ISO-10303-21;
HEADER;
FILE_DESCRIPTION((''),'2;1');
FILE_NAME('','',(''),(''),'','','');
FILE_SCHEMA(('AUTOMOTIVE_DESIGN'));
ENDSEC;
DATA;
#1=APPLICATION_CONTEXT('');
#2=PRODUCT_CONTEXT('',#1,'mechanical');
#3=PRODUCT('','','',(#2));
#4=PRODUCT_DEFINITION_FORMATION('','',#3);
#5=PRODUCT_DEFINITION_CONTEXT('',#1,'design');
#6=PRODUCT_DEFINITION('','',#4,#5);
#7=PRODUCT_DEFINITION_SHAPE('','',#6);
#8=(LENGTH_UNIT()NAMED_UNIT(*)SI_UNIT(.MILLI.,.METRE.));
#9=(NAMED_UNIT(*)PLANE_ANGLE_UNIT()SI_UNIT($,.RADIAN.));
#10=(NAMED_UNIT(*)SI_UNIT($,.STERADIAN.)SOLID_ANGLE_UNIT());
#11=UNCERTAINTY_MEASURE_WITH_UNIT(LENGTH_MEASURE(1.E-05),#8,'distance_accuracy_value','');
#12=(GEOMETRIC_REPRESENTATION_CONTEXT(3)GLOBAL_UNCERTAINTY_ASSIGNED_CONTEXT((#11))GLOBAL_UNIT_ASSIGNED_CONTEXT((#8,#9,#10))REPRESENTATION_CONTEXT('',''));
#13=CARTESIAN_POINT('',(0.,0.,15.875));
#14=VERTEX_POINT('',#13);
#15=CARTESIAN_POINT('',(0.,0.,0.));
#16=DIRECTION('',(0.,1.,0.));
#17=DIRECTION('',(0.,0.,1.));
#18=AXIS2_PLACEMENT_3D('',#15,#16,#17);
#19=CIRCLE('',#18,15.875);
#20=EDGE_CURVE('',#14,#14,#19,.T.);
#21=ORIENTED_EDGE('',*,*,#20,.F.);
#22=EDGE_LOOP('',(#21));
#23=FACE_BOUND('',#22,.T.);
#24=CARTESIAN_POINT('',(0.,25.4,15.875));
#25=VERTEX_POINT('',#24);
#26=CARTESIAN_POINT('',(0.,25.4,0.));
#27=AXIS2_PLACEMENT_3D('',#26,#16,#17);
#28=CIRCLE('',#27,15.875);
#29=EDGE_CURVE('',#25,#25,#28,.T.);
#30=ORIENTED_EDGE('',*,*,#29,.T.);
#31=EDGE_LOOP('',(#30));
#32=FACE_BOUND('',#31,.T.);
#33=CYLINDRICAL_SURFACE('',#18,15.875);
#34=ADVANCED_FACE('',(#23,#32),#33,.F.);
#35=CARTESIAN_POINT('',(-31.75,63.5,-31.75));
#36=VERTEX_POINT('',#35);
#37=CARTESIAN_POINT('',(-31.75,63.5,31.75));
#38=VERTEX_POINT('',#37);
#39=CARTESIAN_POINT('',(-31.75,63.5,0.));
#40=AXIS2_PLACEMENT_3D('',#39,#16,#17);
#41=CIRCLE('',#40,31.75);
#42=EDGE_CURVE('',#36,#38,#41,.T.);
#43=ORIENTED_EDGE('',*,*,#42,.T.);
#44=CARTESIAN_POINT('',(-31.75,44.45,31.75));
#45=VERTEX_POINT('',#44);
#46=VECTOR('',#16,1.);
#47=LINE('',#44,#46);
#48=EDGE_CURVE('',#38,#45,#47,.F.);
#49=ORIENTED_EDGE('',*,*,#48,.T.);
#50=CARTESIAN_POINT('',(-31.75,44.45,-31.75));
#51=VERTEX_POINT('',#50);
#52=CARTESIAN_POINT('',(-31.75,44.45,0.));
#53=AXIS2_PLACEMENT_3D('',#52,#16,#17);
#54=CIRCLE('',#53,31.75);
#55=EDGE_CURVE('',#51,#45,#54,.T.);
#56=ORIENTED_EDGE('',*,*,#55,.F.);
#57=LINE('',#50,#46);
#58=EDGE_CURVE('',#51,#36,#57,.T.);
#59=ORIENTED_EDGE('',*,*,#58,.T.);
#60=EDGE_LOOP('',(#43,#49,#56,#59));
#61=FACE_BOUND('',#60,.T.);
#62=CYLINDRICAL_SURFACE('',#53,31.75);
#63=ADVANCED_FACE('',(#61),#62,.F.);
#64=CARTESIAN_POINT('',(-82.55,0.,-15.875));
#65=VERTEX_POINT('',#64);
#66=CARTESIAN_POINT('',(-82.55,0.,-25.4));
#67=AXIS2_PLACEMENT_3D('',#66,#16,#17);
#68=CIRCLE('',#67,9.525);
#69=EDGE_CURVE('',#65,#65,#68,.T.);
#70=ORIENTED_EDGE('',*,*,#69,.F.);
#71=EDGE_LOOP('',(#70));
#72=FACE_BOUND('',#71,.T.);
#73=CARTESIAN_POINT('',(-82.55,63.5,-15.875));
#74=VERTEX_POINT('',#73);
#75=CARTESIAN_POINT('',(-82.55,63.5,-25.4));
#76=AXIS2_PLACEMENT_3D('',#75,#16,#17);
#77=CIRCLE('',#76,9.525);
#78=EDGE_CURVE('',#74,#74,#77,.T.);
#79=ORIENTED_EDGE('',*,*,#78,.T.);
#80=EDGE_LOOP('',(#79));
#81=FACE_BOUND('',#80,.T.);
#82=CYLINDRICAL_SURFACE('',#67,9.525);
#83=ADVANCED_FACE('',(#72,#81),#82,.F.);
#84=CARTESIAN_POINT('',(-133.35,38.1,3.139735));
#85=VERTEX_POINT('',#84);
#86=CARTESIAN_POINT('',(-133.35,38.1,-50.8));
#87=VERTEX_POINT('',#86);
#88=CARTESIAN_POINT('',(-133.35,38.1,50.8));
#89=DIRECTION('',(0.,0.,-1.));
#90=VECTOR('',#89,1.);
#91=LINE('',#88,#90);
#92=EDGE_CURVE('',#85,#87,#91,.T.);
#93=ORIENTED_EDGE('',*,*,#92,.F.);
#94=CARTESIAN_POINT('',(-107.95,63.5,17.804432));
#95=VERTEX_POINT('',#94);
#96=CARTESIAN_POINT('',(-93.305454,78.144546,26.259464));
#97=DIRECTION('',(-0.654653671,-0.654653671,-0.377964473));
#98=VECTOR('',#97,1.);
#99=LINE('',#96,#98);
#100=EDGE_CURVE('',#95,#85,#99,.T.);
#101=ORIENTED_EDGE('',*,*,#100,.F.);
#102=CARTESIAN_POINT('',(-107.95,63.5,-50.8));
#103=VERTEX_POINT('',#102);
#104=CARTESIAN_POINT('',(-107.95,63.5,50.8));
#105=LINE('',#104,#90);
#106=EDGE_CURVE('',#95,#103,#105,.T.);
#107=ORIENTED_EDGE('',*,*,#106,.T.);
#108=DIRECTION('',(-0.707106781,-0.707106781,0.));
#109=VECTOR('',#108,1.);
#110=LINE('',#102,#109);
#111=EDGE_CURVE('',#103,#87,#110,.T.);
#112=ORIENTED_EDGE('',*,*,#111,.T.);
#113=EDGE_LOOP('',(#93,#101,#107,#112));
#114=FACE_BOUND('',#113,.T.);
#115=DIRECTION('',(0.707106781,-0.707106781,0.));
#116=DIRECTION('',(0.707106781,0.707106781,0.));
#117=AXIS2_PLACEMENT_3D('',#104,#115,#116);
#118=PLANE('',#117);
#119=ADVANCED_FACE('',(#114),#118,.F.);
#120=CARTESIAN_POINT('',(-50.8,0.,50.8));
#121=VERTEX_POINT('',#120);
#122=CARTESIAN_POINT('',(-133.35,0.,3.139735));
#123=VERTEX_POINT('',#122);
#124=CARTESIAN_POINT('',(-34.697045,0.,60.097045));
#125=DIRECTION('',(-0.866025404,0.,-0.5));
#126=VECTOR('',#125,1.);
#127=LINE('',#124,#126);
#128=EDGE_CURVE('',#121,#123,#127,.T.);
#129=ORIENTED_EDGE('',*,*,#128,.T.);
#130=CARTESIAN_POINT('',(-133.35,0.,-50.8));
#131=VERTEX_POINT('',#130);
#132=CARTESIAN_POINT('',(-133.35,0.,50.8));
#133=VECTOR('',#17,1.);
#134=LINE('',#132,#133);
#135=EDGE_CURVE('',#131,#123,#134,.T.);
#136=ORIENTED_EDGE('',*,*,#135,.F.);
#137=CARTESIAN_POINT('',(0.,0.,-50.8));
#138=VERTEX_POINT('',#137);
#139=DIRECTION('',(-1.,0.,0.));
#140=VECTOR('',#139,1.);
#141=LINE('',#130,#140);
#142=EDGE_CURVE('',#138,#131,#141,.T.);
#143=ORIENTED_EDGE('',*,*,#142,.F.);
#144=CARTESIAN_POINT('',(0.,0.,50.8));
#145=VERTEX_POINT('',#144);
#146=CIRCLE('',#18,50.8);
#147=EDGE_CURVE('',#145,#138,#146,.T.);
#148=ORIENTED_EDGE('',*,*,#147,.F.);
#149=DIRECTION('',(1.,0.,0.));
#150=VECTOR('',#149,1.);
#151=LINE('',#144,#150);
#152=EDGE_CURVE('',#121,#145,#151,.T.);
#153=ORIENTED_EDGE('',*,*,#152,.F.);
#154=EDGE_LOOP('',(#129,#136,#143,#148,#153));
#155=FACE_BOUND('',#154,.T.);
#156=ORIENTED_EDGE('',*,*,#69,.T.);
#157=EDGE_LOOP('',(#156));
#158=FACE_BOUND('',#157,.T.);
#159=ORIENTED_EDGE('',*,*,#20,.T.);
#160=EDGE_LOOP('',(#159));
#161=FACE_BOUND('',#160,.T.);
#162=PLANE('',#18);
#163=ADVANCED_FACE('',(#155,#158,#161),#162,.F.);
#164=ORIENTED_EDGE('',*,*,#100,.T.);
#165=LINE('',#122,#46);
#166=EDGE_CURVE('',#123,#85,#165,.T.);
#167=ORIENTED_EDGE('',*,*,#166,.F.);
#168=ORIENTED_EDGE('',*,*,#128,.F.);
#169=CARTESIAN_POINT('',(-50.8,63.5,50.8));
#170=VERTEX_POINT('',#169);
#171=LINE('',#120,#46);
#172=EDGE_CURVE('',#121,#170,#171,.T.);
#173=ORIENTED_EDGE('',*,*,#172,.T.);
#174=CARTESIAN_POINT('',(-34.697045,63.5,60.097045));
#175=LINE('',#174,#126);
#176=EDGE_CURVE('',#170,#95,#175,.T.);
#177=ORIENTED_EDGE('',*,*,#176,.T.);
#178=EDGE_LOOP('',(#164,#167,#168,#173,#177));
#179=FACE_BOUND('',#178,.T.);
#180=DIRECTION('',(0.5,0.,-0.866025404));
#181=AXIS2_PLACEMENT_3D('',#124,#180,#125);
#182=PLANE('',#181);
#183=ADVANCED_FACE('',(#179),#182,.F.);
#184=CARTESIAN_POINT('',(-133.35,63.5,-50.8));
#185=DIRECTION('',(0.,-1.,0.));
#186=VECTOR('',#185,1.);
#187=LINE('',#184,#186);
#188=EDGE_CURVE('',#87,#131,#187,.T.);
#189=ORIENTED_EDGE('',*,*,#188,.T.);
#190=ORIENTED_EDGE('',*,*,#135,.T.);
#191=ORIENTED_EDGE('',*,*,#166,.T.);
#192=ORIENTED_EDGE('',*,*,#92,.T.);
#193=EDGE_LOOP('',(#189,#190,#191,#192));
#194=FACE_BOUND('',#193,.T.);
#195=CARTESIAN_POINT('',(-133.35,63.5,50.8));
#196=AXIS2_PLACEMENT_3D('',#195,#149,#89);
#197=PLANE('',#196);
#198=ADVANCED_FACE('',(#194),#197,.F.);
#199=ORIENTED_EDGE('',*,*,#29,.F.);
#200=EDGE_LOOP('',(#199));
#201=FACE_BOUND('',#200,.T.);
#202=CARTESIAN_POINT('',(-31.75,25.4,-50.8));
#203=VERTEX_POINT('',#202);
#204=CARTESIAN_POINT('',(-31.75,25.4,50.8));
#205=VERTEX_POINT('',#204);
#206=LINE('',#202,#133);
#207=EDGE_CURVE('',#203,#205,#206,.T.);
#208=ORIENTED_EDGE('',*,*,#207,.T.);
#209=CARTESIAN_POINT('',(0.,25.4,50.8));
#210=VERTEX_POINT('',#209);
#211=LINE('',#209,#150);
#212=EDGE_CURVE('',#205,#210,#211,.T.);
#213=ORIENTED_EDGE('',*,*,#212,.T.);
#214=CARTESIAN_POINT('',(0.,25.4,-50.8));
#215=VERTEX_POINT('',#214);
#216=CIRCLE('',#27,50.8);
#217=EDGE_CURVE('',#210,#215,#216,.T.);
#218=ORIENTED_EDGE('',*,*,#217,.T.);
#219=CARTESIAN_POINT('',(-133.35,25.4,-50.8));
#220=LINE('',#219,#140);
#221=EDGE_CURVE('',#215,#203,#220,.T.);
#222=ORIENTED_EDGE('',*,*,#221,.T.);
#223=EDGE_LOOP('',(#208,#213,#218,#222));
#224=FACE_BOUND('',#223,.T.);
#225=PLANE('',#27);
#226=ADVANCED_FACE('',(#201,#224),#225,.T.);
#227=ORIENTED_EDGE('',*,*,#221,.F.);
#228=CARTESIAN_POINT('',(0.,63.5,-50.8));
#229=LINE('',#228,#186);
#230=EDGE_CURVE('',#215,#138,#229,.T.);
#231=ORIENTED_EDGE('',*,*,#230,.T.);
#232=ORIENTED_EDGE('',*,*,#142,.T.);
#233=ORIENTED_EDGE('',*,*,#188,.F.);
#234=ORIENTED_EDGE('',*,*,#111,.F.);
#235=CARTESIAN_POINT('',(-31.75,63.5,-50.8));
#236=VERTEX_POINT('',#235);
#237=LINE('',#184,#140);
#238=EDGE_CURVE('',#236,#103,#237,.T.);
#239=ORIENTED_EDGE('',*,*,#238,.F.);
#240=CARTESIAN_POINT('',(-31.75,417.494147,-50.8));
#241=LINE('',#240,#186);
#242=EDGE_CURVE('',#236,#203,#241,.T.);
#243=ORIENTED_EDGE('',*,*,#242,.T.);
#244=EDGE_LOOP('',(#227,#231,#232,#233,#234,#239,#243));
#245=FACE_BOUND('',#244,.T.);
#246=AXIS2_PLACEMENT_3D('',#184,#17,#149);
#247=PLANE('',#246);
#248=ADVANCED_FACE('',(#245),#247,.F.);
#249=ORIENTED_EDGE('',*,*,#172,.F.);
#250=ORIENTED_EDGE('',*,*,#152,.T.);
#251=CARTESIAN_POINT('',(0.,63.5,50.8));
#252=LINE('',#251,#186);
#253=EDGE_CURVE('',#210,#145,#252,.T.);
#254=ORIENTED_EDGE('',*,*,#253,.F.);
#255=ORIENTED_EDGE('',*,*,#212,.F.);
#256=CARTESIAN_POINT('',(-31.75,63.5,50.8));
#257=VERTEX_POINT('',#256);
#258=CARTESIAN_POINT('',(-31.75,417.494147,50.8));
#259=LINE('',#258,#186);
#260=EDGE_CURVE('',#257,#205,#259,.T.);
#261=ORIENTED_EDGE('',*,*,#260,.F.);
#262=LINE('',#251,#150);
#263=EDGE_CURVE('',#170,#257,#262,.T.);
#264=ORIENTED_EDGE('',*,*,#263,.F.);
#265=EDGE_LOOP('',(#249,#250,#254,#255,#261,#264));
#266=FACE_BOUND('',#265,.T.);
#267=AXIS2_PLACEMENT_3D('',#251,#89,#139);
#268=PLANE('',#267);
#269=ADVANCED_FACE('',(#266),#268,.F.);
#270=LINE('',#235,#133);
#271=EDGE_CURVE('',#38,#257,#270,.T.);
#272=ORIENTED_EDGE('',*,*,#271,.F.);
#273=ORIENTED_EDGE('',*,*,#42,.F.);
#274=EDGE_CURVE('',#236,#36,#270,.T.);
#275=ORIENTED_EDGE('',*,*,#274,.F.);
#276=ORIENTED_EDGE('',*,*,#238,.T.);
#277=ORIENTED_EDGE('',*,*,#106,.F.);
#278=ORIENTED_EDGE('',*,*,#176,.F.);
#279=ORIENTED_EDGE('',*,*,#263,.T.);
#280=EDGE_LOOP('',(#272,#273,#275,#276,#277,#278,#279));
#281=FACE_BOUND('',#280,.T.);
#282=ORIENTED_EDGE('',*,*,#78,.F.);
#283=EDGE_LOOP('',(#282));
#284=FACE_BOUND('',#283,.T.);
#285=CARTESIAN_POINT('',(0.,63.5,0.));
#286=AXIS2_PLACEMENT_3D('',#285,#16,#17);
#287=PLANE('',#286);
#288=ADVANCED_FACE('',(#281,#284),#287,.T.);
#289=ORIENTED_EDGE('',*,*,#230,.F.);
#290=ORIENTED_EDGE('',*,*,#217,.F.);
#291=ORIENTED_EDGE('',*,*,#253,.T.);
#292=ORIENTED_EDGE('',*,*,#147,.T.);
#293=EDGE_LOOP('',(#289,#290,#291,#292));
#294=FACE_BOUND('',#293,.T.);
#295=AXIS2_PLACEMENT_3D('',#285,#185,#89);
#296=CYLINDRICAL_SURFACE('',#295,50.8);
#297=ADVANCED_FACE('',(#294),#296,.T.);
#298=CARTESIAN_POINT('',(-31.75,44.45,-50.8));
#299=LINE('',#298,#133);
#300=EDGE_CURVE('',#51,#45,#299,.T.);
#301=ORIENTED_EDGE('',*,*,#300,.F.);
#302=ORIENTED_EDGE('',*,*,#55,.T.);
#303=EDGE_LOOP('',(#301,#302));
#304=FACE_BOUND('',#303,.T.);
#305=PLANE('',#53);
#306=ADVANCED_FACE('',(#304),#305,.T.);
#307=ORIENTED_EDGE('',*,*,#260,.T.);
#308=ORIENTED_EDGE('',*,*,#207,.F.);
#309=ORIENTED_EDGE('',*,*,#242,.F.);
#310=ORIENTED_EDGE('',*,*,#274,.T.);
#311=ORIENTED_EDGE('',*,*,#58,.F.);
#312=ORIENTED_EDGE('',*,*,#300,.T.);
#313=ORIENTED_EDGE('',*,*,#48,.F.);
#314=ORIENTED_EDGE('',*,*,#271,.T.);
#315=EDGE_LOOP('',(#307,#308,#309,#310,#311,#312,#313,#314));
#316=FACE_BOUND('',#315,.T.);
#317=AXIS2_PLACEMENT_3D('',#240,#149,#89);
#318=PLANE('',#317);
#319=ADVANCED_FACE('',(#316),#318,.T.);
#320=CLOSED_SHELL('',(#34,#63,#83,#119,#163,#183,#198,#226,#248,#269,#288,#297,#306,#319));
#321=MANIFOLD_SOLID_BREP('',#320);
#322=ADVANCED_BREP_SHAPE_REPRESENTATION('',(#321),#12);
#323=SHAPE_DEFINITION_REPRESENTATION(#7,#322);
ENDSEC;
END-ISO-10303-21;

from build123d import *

# Parameters (mm, degrees)
BOSS_EXTRUDE1_DEPTH     = 63.5
CUT_EXTRUDE1_DEPTH      = 157.189348228
CUT_EXTRUDE1_DEPTH_BACK = 38.1
CUT_EXTRUDE2_DEPTH      = 157.189348228
CUT_EXTRUDE3_DEPTH      = 180.268046511
SKETCH5_R               = 31.75
CUT_EXTRUDE4_DEPTH      = 19.05
SKETCH6_R               = 9.525
CUT_EXTRUDE5_DEPTH      = 157.189348228
SKETCH7_R               = 15.875
CUT_EXTRUDE6_DEPTH      = 148.69723254


with BuildPart() as part:
    # Sketch1 → Boss-Extrude1 (new body)
    with BuildSketch(Plane(origin=(0, 0, 0), x_dir=(1, 0, 0), z_dir=(0, 1, 0))):
        with BuildLine():
            Line((0, -50.8), (-133.35, -50.8))
            Line((-133.35, -50.8), (-133.35, 50.8))
            Line((-133.35, 50.8), (0, 50.8))
            ThreePointArc((0, 50.8), (50.8, 0), (0, -50.8))
        make_face()
    extrude(amount=BOSS_EXTRUDE1_DEPTH)

    # Sketch2 → Cut-Extrude1 (cut, two sides: drawn at the far end of the back side and taken through both)
    with BuildSketch(Plane(origin=(0, 63.5, 0), x_dir=(1, 0, 0), z_dir=(0, 1, 0)).offset(-CUT_EXTRUDE1_DEPTH_BACK)):
        Polygon((-31.75, 348.168195874), (-31.75, 50.8), (-31.75, -50.8), (-31.75, -348.168195874), (562.986391748, -348.168195874), (562.986391748, 348.168195874), align=None)
    extrude(amount=CUT_EXTRUDE1_DEPTH + CUT_EXTRUDE1_DEPTH_BACK, mode=Mode.SUBTRACT)

    # Sketch3 → Cut-Extrude2 (cut, through all)
    with BuildSketch(Plane(origin=(0, 63.5, 0), x_dir=(1, 0, 0), z_dir=(0, 1, 0))):
        Polygon((-133.35, -50.8), (-50.8, -50.8), (-133.35, -3.139735278), align=None)
    extrude(amount=-CUT_EXTRUDE2_DEPTH, mode=Mode.SUBTRACT)

    # Sketch4 → Cut-Extrude3 (cut, through all)
    with BuildSketch(Plane(origin=(0, 0, -50.8), x_dir=(-1, 0, 0), z_dir=(0, 0, -1))):
        Polygon((133.35, 63.5), (107.95, 63.5), (133.35, 38.1), align=None)
    extrude(amount=-CUT_EXTRUDE3_DEPTH, mode=Mode.SUBTRACT)

    # Sketch5 → Cut-Extrude4 (cut)
    with BuildSketch(Plane(origin=(0, 63.5, 0), x_dir=(1, 0, 0), z_dir=(0, 1, 0))):
        with Locations((-31.75, 0)):
            Circle(SKETCH5_R)
    extrude(amount=-CUT_EXTRUDE4_DEPTH, mode=Mode.SUBTRACT)

    # Sketch6 → Cut-Extrude5 (cut, through all)
    with BuildSketch(Plane(origin=(0, 63.5, 0), x_dir=(1, 0, 0), z_dir=(0, 1, 0))):
        with Locations(Location((-82.55, 25.4, 0), (0, 0, 270))):
            Circle(SKETCH6_R)
    extrude(amount=-CUT_EXTRUDE5_DEPTH, mode=Mode.SUBTRACT)

    # Sketch7 → Cut-Extrude6 (cut, through all)
    with BuildSketch(Plane(origin=(0, 25.4, 0), x_dir=(1, 0, 0), z_dir=(0, 1, 0))):
        with Locations(Location((0, 0, 0), (0, 0, 270))):
            Circle(SKETCH7_R)
    extrude(amount=-CUT_EXTRUDE6_DEPTH, mode=Mode.SUBTRACT)


solid = part.part
